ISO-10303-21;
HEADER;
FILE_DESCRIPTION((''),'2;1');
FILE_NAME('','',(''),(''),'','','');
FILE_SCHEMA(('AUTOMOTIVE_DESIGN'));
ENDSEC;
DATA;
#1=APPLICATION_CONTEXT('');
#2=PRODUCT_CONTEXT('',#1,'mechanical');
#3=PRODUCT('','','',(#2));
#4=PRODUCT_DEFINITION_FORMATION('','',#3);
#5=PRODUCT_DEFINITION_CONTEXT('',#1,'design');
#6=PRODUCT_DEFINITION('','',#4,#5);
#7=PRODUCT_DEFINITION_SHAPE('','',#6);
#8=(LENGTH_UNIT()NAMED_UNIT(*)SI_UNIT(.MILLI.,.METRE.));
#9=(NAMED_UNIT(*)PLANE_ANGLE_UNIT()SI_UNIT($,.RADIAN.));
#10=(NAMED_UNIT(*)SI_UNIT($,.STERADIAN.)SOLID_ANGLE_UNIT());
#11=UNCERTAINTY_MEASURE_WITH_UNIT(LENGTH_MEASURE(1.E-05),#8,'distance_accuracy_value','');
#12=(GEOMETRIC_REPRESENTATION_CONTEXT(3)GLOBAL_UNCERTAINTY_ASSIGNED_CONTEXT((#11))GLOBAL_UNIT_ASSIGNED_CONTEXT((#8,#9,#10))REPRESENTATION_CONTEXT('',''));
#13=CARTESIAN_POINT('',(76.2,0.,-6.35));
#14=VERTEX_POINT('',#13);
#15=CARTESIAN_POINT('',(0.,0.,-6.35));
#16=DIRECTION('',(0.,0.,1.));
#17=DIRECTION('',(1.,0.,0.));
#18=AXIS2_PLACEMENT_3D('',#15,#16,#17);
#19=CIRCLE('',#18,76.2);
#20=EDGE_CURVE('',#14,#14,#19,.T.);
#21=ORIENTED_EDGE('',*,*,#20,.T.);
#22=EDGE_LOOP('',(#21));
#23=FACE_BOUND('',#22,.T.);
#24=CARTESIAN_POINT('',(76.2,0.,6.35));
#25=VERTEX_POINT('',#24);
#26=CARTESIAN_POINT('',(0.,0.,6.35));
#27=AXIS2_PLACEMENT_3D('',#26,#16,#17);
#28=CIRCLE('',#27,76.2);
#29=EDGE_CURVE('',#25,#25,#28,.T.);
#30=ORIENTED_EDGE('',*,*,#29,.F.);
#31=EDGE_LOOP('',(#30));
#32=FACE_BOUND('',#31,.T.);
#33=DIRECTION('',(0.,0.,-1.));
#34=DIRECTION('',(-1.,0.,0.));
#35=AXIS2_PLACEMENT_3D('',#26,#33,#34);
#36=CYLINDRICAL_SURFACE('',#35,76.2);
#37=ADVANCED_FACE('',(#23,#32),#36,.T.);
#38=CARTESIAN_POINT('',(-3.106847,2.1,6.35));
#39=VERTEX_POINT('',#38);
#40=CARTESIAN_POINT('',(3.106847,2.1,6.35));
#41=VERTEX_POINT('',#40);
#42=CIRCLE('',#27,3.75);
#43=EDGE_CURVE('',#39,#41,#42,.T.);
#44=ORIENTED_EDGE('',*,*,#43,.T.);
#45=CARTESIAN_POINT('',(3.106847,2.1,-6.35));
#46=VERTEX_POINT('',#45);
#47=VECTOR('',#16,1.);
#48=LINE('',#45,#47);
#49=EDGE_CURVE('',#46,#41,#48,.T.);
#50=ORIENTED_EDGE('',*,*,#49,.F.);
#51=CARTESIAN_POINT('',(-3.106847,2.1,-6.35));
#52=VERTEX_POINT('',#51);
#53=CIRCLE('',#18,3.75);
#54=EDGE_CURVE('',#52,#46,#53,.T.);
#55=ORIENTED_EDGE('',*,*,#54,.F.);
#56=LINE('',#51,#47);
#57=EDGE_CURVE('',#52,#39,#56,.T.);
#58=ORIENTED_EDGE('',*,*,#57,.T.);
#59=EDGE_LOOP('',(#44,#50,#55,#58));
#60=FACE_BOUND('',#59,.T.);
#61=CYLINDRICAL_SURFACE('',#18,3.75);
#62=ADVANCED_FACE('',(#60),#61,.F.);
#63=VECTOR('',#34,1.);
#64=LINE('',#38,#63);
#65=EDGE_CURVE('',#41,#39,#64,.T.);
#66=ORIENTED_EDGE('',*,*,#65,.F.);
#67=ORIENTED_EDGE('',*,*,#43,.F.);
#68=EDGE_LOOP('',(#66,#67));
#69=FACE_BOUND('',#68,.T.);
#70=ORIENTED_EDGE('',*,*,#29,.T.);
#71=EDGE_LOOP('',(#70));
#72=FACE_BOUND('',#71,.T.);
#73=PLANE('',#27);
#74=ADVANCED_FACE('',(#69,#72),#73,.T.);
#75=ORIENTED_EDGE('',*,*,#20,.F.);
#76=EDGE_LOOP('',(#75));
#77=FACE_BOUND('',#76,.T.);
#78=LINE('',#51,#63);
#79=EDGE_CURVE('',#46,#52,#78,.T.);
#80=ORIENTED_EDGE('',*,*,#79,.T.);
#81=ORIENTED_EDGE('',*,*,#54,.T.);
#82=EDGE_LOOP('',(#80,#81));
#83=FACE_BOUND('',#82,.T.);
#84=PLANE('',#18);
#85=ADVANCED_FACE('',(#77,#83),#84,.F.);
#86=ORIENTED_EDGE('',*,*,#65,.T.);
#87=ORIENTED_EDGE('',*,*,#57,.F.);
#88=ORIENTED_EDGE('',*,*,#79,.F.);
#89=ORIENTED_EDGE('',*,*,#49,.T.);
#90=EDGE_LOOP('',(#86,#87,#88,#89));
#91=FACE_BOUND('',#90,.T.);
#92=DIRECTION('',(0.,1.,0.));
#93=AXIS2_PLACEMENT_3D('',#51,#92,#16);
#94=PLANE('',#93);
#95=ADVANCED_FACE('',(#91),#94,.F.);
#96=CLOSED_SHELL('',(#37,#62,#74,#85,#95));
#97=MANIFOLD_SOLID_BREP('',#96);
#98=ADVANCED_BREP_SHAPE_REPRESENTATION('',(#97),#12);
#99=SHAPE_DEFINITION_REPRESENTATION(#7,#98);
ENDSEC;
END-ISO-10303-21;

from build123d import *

# Parameters (mm, degrees)
SKETCH1_R           = 76.2
BOSS_EXTRUDE1_DEPTH = 6.35
CUT_EXTRUDE1_DEPTH  = 109.508847566


with BuildPart() as part:
    # Sketch1 → Boss-Extrude1 (new, symmetric)
    with BuildSketch(Plane.XY):
        Circle(SKETCH1_R)
    extrude(amount=BOSS_EXTRUDE1_DEPTH, both=True)

    # Sketch2 → Cut-Extrude1 (cut, through all)
    with BuildSketch(Plane.XY.offset(6.35)):
        with BuildLine():
            Line((-3.106847277, 2.1), (3.106847277, 2.1))
            ThreePointArc((3.106847277, 2.1), (0, -3.75), (-3.106847277, 2.1))
        make_face()
    extrude(amount=-CUT_EXTRUDE1_DEPTH, mode=Mode.SUBTRACT)


solid = part.part
